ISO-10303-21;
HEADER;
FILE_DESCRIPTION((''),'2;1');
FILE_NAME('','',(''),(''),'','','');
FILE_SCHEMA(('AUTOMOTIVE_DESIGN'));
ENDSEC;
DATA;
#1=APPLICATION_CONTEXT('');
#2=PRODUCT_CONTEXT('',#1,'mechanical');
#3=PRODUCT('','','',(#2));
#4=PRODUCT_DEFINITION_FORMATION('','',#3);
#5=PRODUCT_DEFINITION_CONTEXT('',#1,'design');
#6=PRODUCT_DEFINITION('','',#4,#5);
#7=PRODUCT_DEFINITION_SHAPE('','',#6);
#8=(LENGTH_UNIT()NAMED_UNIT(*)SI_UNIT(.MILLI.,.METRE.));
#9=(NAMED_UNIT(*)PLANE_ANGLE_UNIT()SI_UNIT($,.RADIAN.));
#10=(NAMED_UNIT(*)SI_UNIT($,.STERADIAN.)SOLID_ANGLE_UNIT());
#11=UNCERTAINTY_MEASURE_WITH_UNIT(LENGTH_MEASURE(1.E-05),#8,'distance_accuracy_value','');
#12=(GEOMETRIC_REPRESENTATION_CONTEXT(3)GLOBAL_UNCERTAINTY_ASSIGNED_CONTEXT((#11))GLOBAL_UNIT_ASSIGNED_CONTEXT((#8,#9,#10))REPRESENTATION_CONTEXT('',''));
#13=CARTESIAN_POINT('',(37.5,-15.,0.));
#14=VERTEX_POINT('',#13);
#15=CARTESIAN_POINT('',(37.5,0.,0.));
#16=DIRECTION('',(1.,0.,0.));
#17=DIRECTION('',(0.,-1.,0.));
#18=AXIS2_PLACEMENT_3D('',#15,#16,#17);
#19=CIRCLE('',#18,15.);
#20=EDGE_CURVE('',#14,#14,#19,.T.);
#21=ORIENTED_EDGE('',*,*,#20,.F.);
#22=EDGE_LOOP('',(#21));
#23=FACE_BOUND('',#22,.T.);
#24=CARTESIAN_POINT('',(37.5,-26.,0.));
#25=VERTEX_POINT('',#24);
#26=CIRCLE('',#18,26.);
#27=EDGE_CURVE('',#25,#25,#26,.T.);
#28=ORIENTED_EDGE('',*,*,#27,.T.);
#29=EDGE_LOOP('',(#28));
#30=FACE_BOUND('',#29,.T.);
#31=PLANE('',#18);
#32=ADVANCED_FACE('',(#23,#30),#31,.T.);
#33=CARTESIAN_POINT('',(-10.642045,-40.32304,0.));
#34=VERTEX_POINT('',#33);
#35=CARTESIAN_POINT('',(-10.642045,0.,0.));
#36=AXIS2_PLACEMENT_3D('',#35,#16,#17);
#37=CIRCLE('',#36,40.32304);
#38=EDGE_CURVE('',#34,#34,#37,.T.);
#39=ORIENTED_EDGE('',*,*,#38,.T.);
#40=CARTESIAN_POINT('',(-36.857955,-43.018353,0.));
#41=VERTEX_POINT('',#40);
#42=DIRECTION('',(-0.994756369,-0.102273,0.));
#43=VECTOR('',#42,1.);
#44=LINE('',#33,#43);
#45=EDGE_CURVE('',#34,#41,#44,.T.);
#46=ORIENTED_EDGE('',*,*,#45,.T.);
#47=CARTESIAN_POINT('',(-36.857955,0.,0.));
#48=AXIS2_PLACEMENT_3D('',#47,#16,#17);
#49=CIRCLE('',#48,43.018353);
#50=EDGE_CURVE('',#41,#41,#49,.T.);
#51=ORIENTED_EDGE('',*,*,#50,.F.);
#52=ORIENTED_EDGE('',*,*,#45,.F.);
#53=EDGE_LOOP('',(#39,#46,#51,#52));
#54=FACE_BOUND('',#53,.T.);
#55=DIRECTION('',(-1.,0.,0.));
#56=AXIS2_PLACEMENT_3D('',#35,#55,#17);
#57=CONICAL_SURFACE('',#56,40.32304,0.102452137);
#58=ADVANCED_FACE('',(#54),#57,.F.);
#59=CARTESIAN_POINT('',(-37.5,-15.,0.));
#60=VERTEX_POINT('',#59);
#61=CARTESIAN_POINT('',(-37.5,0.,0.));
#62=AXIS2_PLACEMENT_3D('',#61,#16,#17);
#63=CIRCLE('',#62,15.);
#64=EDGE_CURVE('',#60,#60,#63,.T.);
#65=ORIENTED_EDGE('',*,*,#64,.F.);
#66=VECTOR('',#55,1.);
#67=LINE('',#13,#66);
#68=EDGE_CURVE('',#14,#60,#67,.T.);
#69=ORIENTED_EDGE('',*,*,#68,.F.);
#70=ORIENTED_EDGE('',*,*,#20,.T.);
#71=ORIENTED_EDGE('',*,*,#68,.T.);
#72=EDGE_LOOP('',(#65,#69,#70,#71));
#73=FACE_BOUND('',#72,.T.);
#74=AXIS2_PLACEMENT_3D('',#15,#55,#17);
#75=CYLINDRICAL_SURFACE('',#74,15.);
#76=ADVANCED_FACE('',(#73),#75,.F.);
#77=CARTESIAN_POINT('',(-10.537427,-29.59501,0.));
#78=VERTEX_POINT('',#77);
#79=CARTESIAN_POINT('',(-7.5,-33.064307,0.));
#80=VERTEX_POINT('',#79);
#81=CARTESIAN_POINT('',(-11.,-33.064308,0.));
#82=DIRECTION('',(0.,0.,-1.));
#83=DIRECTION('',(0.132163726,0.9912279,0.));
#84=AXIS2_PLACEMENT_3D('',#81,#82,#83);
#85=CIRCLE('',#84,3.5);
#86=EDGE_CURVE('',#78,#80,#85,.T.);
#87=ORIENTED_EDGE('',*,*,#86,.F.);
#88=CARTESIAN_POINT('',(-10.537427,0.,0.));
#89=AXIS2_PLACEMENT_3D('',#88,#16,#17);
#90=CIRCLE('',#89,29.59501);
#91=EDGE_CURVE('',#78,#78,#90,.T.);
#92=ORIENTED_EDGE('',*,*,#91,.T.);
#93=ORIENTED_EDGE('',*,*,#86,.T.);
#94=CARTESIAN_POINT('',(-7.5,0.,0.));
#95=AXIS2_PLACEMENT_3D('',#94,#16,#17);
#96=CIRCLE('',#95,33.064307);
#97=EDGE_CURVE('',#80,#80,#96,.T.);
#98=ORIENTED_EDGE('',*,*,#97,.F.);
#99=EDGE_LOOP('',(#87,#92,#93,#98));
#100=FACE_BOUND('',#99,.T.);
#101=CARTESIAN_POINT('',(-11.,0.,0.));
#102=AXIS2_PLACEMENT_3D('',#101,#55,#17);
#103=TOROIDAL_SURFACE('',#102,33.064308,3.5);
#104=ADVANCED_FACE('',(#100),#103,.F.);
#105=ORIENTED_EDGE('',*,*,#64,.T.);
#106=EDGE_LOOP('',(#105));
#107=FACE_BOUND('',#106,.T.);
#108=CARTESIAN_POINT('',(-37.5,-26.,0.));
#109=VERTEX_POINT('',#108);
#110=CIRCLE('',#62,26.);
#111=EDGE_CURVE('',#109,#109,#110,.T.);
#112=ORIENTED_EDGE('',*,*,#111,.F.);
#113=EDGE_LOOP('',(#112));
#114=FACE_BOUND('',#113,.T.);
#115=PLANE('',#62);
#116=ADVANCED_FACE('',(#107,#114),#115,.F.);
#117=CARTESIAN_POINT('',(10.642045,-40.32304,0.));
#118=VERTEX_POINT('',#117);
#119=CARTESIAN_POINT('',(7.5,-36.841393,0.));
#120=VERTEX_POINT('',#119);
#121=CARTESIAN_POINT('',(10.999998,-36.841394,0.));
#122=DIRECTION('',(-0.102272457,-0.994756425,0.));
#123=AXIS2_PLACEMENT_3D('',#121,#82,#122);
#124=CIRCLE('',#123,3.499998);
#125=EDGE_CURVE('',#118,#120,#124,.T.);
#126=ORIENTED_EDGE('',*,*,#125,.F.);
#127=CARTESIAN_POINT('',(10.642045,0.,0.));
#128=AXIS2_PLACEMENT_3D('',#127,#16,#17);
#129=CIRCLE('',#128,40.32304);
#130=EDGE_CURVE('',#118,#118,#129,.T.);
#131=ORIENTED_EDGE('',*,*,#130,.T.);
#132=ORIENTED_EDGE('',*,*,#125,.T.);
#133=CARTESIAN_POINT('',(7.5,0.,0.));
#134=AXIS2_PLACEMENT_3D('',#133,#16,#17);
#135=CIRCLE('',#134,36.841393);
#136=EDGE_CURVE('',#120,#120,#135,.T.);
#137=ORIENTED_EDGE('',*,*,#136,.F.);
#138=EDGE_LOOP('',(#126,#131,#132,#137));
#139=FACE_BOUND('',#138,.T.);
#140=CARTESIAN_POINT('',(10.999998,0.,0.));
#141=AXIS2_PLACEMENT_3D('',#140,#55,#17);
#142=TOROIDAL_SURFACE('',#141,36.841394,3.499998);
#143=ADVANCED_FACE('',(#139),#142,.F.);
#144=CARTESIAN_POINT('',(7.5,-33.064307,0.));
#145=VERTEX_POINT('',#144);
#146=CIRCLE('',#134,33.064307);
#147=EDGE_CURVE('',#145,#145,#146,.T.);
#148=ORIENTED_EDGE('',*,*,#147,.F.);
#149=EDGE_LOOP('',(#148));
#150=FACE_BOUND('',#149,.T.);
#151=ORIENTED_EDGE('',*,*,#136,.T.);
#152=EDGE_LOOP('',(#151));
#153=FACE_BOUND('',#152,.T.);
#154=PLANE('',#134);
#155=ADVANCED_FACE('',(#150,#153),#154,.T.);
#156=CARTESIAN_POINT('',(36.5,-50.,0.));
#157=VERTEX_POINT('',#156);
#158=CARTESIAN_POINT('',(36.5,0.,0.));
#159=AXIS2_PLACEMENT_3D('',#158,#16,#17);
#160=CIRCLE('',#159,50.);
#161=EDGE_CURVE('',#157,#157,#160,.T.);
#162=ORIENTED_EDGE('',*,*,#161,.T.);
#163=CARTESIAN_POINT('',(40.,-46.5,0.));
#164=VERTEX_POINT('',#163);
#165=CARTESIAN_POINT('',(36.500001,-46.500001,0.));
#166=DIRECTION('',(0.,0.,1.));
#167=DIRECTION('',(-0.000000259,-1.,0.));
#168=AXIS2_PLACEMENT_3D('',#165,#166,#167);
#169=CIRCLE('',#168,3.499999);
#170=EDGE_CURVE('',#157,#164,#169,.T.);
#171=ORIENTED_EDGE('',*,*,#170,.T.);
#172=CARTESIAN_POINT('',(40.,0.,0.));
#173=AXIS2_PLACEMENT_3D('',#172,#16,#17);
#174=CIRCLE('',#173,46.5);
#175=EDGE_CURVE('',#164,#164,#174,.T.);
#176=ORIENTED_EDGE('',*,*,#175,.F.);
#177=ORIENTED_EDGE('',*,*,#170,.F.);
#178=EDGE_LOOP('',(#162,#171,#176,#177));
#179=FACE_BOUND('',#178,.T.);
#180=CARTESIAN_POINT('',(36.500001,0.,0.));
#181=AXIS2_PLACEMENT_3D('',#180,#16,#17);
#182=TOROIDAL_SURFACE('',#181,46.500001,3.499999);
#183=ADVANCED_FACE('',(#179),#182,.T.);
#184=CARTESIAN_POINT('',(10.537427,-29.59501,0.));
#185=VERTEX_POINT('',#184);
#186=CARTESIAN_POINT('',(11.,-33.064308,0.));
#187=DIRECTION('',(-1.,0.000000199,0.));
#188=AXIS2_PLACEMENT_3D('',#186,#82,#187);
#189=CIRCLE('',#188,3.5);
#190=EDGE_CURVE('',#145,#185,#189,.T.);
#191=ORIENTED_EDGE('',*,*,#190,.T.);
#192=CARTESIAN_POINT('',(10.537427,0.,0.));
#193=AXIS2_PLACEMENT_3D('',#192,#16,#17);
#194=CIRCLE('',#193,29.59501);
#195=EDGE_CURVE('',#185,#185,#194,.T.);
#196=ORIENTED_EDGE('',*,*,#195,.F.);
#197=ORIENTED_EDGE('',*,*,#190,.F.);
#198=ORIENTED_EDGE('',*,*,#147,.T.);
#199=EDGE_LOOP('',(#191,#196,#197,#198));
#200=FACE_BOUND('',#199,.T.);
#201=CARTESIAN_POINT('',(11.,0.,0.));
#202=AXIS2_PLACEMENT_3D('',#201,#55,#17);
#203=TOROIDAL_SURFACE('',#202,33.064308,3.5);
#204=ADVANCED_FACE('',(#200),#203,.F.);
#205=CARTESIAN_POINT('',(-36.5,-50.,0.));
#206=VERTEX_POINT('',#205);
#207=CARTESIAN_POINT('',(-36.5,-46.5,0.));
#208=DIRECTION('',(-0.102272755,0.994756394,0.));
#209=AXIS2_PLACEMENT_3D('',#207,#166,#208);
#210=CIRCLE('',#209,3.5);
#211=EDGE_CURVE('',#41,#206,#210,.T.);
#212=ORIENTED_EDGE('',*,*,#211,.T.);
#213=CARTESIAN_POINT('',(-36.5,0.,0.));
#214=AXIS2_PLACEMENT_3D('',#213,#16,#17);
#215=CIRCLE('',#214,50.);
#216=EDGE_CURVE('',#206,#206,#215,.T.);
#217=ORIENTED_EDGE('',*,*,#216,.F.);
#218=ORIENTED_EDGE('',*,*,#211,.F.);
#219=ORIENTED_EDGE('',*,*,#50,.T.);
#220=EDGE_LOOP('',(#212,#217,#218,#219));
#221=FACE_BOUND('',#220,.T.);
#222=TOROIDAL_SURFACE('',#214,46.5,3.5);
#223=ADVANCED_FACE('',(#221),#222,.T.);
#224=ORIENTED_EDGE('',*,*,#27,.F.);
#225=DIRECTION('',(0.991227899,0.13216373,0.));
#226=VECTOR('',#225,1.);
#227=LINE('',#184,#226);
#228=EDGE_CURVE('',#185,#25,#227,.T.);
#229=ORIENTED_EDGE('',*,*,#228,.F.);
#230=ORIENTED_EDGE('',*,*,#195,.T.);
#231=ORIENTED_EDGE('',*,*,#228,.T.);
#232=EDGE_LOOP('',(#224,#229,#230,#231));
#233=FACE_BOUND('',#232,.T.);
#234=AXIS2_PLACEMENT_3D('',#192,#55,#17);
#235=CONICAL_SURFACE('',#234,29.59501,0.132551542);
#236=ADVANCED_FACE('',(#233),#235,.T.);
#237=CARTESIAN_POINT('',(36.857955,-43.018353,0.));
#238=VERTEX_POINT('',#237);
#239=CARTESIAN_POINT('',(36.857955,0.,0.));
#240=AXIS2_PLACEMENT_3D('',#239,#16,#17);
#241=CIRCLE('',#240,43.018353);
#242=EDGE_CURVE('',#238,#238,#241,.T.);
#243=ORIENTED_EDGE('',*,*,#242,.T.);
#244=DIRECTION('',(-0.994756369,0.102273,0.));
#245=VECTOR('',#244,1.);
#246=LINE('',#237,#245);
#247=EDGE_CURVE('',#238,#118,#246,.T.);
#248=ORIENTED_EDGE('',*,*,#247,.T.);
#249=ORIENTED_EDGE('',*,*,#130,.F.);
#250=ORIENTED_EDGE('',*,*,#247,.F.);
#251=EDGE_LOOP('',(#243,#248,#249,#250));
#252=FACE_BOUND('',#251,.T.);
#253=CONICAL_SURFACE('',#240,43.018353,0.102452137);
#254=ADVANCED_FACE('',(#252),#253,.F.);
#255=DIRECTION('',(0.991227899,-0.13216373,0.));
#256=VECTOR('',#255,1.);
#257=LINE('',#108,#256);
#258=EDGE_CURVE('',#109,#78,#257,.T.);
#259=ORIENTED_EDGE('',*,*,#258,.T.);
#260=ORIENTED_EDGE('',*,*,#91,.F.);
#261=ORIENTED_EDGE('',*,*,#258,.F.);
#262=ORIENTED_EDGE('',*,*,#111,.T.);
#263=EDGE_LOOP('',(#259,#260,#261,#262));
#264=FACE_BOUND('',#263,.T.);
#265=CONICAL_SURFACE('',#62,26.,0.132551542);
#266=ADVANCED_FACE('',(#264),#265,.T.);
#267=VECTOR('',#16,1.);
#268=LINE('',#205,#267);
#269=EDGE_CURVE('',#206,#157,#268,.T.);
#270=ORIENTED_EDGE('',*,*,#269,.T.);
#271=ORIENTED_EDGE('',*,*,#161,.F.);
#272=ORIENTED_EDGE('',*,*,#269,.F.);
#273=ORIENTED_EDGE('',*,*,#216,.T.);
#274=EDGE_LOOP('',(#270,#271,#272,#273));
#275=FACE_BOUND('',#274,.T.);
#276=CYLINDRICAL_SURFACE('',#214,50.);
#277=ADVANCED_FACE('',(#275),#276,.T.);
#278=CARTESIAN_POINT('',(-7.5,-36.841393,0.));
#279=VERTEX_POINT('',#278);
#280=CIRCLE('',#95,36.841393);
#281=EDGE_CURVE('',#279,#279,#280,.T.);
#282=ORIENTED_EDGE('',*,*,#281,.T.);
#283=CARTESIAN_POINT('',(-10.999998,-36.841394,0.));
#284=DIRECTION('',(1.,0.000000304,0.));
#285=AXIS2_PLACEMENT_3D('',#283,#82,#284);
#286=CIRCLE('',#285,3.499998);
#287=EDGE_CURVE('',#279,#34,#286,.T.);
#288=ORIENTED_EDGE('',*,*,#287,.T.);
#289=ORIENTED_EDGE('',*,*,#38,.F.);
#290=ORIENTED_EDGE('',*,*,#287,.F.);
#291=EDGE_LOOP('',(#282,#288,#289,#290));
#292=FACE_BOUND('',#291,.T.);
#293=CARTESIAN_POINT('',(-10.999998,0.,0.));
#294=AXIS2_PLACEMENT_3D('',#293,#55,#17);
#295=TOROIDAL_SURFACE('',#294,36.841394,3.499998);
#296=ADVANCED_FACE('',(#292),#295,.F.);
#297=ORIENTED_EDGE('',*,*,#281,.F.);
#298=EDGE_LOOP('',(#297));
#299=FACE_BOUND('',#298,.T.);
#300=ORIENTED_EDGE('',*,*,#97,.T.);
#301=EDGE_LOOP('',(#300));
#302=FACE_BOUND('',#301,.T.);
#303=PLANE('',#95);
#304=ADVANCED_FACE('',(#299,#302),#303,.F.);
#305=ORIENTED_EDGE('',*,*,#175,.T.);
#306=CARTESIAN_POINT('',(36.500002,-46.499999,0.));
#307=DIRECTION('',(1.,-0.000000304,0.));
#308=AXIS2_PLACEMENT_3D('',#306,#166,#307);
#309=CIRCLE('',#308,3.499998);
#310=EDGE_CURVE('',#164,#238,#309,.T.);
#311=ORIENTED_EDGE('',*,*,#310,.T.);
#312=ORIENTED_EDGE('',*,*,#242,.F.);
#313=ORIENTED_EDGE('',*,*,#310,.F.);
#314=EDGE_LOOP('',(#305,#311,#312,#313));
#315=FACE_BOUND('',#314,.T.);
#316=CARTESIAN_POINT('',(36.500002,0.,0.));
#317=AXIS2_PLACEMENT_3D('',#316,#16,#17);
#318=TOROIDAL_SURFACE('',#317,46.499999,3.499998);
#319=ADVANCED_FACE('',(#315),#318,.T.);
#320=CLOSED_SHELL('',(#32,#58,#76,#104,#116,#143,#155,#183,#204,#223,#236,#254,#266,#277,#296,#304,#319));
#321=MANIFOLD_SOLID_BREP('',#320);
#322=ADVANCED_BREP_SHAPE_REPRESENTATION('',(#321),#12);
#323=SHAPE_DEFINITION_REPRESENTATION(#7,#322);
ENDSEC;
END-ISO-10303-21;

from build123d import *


with BuildPart() as f1:
    # F0 (on Top) → F1 (revolve)
    with BuildSketch(Plane.XY):
        with BuildLine():
            Line((37.5, -15), (0, -15))
            Line((0, -15), (0, -50))
            Line((0, -50), (36.5, -50))
            ThreePointArc((36.5, -50), (33.004591, -46.320787), (36.857955, -43.018353))
            Line((36.857955, -43.018353), (10.642045, -40.32304))
            ThreePointArc((10.642045, -40.32304), (8.40165, -39.186298), (7.5, -36.841393))
            Line((7.5, -36.841393), (7.5, -33.064307))
            ThreePointArc((7.5, -33.064307), (8.366656, -30.758771), (10.537427, -29.59501))
            Line((10.537427, -29.59501), (37.5, -26))
            Line((37.5, -26), (37.5, -15))
        make_face()
        with BuildLine():
            Line((0, -50), (0, -15))
            Line((0, -15), (-37.5, -15))
            Line((-37.5, -15), (-37.5, -26))
            Line((-37.5, -26), (-10.537427, -29.59501))
            ThreePointArc((-10.537427, -29.59501), (-8.366656, -30.758771), (-7.5, -33.064307))
            Line((-7.5, -33.064307), (-7.5, -36.841393))
            ThreePointArc((-7.5, -36.841393), (-8.40165, -39.186298), (-10.642045, -40.32304))
            Line((-10.642045, -40.32304), (-36.857955, -43.018353))
            ThreePointArc((-36.857955, -43.018353), (-34.155095, -43.90165), (-33, -46.5))
            ThreePointArc((-33, -46.5), (-34.025126, -48.974874), (-36.5, -50))
            Line((-36.5, -50), (0, -50))
        make_face()
        with BuildLine():
            ThreePointArc((36.857955, -43.018353), (33.004591, -46.320787), (36.5, -50))
            ThreePointArc((36.5, -50), (38.974874, -48.974874), (40, -46.5))
            ThreePointArc((40, -46.5), (39.09835, -44.155095), (36.857955, -43.018353))
        make_face()
        with BuildLine():
            ThreePointArc((-36.857955, -43.018353), (-39.995409, -46.679213), (-36.5, -50))
            ThreePointArc((-36.5, -50), (-34.025126, -48.974874), (-33, -46.5))
            ThreePointArc((-33, -46.5), (-34.155095, -43.90165), (-36.857955, -43.018353))
        make_face()
    revolve(axis=Axis((13.568111, 0, 0), (1, 0, 0)))


solid = f1.part
